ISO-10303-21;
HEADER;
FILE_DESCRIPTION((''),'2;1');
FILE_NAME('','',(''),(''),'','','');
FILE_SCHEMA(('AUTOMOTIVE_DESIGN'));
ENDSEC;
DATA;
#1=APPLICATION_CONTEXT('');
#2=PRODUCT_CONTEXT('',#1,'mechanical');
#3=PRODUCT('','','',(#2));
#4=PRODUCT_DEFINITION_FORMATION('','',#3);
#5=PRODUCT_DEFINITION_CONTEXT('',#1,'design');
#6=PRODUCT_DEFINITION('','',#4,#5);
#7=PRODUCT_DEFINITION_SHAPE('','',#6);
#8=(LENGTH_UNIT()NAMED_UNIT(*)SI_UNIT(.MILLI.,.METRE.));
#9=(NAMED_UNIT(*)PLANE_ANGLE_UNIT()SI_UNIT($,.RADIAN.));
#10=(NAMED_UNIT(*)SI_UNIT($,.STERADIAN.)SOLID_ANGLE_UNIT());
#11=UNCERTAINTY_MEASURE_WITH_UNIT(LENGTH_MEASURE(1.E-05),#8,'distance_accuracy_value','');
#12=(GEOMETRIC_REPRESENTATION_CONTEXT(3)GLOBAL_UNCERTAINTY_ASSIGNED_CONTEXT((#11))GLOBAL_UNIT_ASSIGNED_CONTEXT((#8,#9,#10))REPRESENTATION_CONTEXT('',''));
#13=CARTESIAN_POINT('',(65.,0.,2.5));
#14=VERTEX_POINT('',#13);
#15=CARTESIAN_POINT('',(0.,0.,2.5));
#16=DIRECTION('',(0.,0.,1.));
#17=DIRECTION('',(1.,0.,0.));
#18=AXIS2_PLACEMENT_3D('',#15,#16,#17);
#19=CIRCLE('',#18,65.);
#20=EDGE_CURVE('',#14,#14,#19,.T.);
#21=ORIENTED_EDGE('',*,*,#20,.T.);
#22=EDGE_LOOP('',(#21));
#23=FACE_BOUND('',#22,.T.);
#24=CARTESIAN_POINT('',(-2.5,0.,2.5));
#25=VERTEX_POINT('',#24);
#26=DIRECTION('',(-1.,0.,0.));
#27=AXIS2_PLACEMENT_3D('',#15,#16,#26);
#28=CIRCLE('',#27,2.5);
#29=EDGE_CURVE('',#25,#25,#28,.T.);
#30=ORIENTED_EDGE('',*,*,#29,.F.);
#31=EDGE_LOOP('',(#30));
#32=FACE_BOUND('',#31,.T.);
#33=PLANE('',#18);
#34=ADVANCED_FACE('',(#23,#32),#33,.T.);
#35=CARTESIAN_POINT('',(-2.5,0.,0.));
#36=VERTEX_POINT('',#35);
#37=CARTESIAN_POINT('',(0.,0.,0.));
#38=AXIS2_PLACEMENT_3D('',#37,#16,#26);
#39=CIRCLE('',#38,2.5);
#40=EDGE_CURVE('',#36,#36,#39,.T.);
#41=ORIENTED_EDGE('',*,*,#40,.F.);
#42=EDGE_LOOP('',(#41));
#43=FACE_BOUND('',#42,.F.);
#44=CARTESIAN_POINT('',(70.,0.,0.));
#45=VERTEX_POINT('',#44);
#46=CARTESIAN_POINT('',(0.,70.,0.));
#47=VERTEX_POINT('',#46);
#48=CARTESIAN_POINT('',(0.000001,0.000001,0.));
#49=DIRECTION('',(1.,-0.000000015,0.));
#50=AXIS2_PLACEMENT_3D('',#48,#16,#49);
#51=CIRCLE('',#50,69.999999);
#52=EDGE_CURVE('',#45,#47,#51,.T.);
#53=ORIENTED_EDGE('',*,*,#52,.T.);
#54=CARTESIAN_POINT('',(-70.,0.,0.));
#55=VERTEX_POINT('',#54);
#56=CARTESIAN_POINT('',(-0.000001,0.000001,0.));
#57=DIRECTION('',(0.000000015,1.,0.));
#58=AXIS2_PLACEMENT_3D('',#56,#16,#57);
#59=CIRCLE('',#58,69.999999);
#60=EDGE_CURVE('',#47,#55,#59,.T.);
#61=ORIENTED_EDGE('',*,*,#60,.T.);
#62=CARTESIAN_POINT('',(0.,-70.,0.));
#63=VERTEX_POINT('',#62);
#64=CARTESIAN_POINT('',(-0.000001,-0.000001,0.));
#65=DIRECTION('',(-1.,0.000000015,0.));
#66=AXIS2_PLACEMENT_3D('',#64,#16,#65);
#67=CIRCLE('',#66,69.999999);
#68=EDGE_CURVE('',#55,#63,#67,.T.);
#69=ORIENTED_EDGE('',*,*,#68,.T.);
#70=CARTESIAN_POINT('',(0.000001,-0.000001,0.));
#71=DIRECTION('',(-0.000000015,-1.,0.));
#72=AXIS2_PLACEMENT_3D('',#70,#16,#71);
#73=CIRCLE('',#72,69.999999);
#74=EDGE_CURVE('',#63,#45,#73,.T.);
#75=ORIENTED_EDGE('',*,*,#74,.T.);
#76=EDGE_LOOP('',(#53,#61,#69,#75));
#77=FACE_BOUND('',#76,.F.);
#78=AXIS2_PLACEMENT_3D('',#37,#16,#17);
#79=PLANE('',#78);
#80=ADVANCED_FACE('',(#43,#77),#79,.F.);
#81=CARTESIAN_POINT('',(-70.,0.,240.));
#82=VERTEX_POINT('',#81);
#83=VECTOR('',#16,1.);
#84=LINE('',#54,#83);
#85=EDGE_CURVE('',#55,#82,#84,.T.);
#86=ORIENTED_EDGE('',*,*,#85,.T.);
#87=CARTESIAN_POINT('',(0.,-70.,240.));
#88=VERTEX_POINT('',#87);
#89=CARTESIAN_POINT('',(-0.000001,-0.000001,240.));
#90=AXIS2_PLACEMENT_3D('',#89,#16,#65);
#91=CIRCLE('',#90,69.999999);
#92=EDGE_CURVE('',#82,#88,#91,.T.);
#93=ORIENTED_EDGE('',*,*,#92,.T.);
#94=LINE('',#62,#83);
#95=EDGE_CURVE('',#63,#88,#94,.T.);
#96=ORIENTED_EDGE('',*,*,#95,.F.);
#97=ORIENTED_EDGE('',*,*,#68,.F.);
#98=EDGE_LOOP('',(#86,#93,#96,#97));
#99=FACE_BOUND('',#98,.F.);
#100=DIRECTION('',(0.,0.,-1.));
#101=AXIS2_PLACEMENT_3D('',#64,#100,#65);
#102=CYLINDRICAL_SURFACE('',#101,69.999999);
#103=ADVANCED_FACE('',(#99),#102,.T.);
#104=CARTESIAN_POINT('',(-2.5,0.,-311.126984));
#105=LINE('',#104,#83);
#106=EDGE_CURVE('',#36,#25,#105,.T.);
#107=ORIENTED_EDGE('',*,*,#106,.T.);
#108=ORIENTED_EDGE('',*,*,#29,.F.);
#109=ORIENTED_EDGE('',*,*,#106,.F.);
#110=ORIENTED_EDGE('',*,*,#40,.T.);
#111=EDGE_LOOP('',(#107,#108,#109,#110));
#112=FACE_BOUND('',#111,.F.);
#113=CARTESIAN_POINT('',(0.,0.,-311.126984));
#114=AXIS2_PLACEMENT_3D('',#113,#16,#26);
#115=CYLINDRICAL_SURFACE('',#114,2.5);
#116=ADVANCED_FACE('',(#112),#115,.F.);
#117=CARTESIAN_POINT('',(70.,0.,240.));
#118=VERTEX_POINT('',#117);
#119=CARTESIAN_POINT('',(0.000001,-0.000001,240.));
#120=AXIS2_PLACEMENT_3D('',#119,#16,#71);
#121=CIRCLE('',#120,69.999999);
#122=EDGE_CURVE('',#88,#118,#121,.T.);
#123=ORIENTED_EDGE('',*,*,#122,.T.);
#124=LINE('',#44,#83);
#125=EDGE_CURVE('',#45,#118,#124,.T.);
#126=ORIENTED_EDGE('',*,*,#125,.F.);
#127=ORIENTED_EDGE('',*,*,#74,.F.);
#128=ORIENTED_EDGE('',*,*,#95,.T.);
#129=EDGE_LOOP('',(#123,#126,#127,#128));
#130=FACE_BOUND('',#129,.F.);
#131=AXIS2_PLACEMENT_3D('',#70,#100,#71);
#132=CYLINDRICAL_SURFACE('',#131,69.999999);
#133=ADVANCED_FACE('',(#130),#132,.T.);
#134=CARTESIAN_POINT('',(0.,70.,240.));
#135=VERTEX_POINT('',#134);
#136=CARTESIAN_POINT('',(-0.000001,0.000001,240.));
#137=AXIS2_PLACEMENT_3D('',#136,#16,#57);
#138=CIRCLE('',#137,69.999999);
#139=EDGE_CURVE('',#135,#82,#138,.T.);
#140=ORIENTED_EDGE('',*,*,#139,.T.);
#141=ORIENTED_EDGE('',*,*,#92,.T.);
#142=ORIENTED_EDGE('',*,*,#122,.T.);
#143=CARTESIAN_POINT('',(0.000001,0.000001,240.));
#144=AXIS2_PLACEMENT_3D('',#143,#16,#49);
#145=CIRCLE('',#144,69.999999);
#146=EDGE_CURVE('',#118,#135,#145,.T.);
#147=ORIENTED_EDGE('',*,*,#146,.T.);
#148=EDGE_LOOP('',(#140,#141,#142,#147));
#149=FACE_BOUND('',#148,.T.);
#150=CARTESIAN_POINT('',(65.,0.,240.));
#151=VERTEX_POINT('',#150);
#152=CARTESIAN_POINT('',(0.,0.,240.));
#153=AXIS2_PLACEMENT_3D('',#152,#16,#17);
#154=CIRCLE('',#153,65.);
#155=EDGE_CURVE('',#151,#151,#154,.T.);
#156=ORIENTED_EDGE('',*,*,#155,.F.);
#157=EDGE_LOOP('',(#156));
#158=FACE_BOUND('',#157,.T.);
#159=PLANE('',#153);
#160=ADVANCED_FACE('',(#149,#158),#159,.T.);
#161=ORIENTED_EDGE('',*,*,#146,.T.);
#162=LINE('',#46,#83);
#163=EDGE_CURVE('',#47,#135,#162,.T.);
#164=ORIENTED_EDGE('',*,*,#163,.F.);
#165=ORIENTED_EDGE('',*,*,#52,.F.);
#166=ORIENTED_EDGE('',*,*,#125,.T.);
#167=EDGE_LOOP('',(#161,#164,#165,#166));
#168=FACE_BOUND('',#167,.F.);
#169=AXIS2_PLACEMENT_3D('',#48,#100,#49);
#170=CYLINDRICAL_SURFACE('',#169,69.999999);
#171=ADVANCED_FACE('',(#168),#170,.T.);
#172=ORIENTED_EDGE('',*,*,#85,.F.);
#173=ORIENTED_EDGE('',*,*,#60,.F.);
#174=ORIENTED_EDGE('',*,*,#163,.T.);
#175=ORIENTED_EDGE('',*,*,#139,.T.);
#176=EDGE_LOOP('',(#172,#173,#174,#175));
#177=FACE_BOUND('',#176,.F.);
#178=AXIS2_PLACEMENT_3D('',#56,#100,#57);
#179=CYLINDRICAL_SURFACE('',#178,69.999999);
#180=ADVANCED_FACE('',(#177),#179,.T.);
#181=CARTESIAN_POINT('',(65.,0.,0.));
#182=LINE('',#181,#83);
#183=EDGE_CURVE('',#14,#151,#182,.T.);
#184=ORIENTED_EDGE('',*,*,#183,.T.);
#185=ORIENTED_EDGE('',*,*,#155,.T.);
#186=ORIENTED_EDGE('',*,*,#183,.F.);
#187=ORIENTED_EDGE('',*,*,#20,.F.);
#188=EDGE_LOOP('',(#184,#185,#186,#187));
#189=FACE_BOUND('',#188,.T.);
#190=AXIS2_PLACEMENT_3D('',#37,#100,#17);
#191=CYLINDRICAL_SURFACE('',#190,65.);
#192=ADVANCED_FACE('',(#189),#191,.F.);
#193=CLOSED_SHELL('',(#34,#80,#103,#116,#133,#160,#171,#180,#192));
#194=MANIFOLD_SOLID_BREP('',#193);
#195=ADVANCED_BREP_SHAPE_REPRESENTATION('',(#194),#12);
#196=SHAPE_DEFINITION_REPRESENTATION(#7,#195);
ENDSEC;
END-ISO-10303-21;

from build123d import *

# Parameters (mm, degrees)
F0_R     = 65
F1_DEPTH = 240
F0_R_2   = 1.25
F2_DEPTH = 2.5
F3_D     = 5


with BuildPart() as f1:
    # F0 (on Top) → F1 (new body)
    with BuildSketch(Plane.XY):
        with BuildLine():
            ThreePointArc((70, 0), (49.497475, 49.497475), (0, 70))
            ThreePointArc((0, 70), (-49.497475, 49.497475), (-70, 0))
            ThreePointArc((-70, 0), (-49.497475, -49.497475), (0, -70))
            ThreePointArc((0, -70), (49.497475, -49.497475), (70, 0))
        make_face()
        Circle(F0_R, mode=Mode.SUBTRACT)
    extrude(amount=F1_DEPTH)

    # F0 (on Top) → F2 (join)
    with BuildSketch(Plane.XY):
        Circle(F0_R)
        Circle(F0_R_2, mode=Mode.SUBTRACT)
    extrude(amount=F2_DEPTH)

    # F3 (through all)
    with Locations(Plane(origin=(0, 0, 0), x_dir=(1, 0, 0), z_dir=(0, 0, -1))):
        with Locations((0, 0)):
            Hole(F3_D / 2)


solid = f1.part
